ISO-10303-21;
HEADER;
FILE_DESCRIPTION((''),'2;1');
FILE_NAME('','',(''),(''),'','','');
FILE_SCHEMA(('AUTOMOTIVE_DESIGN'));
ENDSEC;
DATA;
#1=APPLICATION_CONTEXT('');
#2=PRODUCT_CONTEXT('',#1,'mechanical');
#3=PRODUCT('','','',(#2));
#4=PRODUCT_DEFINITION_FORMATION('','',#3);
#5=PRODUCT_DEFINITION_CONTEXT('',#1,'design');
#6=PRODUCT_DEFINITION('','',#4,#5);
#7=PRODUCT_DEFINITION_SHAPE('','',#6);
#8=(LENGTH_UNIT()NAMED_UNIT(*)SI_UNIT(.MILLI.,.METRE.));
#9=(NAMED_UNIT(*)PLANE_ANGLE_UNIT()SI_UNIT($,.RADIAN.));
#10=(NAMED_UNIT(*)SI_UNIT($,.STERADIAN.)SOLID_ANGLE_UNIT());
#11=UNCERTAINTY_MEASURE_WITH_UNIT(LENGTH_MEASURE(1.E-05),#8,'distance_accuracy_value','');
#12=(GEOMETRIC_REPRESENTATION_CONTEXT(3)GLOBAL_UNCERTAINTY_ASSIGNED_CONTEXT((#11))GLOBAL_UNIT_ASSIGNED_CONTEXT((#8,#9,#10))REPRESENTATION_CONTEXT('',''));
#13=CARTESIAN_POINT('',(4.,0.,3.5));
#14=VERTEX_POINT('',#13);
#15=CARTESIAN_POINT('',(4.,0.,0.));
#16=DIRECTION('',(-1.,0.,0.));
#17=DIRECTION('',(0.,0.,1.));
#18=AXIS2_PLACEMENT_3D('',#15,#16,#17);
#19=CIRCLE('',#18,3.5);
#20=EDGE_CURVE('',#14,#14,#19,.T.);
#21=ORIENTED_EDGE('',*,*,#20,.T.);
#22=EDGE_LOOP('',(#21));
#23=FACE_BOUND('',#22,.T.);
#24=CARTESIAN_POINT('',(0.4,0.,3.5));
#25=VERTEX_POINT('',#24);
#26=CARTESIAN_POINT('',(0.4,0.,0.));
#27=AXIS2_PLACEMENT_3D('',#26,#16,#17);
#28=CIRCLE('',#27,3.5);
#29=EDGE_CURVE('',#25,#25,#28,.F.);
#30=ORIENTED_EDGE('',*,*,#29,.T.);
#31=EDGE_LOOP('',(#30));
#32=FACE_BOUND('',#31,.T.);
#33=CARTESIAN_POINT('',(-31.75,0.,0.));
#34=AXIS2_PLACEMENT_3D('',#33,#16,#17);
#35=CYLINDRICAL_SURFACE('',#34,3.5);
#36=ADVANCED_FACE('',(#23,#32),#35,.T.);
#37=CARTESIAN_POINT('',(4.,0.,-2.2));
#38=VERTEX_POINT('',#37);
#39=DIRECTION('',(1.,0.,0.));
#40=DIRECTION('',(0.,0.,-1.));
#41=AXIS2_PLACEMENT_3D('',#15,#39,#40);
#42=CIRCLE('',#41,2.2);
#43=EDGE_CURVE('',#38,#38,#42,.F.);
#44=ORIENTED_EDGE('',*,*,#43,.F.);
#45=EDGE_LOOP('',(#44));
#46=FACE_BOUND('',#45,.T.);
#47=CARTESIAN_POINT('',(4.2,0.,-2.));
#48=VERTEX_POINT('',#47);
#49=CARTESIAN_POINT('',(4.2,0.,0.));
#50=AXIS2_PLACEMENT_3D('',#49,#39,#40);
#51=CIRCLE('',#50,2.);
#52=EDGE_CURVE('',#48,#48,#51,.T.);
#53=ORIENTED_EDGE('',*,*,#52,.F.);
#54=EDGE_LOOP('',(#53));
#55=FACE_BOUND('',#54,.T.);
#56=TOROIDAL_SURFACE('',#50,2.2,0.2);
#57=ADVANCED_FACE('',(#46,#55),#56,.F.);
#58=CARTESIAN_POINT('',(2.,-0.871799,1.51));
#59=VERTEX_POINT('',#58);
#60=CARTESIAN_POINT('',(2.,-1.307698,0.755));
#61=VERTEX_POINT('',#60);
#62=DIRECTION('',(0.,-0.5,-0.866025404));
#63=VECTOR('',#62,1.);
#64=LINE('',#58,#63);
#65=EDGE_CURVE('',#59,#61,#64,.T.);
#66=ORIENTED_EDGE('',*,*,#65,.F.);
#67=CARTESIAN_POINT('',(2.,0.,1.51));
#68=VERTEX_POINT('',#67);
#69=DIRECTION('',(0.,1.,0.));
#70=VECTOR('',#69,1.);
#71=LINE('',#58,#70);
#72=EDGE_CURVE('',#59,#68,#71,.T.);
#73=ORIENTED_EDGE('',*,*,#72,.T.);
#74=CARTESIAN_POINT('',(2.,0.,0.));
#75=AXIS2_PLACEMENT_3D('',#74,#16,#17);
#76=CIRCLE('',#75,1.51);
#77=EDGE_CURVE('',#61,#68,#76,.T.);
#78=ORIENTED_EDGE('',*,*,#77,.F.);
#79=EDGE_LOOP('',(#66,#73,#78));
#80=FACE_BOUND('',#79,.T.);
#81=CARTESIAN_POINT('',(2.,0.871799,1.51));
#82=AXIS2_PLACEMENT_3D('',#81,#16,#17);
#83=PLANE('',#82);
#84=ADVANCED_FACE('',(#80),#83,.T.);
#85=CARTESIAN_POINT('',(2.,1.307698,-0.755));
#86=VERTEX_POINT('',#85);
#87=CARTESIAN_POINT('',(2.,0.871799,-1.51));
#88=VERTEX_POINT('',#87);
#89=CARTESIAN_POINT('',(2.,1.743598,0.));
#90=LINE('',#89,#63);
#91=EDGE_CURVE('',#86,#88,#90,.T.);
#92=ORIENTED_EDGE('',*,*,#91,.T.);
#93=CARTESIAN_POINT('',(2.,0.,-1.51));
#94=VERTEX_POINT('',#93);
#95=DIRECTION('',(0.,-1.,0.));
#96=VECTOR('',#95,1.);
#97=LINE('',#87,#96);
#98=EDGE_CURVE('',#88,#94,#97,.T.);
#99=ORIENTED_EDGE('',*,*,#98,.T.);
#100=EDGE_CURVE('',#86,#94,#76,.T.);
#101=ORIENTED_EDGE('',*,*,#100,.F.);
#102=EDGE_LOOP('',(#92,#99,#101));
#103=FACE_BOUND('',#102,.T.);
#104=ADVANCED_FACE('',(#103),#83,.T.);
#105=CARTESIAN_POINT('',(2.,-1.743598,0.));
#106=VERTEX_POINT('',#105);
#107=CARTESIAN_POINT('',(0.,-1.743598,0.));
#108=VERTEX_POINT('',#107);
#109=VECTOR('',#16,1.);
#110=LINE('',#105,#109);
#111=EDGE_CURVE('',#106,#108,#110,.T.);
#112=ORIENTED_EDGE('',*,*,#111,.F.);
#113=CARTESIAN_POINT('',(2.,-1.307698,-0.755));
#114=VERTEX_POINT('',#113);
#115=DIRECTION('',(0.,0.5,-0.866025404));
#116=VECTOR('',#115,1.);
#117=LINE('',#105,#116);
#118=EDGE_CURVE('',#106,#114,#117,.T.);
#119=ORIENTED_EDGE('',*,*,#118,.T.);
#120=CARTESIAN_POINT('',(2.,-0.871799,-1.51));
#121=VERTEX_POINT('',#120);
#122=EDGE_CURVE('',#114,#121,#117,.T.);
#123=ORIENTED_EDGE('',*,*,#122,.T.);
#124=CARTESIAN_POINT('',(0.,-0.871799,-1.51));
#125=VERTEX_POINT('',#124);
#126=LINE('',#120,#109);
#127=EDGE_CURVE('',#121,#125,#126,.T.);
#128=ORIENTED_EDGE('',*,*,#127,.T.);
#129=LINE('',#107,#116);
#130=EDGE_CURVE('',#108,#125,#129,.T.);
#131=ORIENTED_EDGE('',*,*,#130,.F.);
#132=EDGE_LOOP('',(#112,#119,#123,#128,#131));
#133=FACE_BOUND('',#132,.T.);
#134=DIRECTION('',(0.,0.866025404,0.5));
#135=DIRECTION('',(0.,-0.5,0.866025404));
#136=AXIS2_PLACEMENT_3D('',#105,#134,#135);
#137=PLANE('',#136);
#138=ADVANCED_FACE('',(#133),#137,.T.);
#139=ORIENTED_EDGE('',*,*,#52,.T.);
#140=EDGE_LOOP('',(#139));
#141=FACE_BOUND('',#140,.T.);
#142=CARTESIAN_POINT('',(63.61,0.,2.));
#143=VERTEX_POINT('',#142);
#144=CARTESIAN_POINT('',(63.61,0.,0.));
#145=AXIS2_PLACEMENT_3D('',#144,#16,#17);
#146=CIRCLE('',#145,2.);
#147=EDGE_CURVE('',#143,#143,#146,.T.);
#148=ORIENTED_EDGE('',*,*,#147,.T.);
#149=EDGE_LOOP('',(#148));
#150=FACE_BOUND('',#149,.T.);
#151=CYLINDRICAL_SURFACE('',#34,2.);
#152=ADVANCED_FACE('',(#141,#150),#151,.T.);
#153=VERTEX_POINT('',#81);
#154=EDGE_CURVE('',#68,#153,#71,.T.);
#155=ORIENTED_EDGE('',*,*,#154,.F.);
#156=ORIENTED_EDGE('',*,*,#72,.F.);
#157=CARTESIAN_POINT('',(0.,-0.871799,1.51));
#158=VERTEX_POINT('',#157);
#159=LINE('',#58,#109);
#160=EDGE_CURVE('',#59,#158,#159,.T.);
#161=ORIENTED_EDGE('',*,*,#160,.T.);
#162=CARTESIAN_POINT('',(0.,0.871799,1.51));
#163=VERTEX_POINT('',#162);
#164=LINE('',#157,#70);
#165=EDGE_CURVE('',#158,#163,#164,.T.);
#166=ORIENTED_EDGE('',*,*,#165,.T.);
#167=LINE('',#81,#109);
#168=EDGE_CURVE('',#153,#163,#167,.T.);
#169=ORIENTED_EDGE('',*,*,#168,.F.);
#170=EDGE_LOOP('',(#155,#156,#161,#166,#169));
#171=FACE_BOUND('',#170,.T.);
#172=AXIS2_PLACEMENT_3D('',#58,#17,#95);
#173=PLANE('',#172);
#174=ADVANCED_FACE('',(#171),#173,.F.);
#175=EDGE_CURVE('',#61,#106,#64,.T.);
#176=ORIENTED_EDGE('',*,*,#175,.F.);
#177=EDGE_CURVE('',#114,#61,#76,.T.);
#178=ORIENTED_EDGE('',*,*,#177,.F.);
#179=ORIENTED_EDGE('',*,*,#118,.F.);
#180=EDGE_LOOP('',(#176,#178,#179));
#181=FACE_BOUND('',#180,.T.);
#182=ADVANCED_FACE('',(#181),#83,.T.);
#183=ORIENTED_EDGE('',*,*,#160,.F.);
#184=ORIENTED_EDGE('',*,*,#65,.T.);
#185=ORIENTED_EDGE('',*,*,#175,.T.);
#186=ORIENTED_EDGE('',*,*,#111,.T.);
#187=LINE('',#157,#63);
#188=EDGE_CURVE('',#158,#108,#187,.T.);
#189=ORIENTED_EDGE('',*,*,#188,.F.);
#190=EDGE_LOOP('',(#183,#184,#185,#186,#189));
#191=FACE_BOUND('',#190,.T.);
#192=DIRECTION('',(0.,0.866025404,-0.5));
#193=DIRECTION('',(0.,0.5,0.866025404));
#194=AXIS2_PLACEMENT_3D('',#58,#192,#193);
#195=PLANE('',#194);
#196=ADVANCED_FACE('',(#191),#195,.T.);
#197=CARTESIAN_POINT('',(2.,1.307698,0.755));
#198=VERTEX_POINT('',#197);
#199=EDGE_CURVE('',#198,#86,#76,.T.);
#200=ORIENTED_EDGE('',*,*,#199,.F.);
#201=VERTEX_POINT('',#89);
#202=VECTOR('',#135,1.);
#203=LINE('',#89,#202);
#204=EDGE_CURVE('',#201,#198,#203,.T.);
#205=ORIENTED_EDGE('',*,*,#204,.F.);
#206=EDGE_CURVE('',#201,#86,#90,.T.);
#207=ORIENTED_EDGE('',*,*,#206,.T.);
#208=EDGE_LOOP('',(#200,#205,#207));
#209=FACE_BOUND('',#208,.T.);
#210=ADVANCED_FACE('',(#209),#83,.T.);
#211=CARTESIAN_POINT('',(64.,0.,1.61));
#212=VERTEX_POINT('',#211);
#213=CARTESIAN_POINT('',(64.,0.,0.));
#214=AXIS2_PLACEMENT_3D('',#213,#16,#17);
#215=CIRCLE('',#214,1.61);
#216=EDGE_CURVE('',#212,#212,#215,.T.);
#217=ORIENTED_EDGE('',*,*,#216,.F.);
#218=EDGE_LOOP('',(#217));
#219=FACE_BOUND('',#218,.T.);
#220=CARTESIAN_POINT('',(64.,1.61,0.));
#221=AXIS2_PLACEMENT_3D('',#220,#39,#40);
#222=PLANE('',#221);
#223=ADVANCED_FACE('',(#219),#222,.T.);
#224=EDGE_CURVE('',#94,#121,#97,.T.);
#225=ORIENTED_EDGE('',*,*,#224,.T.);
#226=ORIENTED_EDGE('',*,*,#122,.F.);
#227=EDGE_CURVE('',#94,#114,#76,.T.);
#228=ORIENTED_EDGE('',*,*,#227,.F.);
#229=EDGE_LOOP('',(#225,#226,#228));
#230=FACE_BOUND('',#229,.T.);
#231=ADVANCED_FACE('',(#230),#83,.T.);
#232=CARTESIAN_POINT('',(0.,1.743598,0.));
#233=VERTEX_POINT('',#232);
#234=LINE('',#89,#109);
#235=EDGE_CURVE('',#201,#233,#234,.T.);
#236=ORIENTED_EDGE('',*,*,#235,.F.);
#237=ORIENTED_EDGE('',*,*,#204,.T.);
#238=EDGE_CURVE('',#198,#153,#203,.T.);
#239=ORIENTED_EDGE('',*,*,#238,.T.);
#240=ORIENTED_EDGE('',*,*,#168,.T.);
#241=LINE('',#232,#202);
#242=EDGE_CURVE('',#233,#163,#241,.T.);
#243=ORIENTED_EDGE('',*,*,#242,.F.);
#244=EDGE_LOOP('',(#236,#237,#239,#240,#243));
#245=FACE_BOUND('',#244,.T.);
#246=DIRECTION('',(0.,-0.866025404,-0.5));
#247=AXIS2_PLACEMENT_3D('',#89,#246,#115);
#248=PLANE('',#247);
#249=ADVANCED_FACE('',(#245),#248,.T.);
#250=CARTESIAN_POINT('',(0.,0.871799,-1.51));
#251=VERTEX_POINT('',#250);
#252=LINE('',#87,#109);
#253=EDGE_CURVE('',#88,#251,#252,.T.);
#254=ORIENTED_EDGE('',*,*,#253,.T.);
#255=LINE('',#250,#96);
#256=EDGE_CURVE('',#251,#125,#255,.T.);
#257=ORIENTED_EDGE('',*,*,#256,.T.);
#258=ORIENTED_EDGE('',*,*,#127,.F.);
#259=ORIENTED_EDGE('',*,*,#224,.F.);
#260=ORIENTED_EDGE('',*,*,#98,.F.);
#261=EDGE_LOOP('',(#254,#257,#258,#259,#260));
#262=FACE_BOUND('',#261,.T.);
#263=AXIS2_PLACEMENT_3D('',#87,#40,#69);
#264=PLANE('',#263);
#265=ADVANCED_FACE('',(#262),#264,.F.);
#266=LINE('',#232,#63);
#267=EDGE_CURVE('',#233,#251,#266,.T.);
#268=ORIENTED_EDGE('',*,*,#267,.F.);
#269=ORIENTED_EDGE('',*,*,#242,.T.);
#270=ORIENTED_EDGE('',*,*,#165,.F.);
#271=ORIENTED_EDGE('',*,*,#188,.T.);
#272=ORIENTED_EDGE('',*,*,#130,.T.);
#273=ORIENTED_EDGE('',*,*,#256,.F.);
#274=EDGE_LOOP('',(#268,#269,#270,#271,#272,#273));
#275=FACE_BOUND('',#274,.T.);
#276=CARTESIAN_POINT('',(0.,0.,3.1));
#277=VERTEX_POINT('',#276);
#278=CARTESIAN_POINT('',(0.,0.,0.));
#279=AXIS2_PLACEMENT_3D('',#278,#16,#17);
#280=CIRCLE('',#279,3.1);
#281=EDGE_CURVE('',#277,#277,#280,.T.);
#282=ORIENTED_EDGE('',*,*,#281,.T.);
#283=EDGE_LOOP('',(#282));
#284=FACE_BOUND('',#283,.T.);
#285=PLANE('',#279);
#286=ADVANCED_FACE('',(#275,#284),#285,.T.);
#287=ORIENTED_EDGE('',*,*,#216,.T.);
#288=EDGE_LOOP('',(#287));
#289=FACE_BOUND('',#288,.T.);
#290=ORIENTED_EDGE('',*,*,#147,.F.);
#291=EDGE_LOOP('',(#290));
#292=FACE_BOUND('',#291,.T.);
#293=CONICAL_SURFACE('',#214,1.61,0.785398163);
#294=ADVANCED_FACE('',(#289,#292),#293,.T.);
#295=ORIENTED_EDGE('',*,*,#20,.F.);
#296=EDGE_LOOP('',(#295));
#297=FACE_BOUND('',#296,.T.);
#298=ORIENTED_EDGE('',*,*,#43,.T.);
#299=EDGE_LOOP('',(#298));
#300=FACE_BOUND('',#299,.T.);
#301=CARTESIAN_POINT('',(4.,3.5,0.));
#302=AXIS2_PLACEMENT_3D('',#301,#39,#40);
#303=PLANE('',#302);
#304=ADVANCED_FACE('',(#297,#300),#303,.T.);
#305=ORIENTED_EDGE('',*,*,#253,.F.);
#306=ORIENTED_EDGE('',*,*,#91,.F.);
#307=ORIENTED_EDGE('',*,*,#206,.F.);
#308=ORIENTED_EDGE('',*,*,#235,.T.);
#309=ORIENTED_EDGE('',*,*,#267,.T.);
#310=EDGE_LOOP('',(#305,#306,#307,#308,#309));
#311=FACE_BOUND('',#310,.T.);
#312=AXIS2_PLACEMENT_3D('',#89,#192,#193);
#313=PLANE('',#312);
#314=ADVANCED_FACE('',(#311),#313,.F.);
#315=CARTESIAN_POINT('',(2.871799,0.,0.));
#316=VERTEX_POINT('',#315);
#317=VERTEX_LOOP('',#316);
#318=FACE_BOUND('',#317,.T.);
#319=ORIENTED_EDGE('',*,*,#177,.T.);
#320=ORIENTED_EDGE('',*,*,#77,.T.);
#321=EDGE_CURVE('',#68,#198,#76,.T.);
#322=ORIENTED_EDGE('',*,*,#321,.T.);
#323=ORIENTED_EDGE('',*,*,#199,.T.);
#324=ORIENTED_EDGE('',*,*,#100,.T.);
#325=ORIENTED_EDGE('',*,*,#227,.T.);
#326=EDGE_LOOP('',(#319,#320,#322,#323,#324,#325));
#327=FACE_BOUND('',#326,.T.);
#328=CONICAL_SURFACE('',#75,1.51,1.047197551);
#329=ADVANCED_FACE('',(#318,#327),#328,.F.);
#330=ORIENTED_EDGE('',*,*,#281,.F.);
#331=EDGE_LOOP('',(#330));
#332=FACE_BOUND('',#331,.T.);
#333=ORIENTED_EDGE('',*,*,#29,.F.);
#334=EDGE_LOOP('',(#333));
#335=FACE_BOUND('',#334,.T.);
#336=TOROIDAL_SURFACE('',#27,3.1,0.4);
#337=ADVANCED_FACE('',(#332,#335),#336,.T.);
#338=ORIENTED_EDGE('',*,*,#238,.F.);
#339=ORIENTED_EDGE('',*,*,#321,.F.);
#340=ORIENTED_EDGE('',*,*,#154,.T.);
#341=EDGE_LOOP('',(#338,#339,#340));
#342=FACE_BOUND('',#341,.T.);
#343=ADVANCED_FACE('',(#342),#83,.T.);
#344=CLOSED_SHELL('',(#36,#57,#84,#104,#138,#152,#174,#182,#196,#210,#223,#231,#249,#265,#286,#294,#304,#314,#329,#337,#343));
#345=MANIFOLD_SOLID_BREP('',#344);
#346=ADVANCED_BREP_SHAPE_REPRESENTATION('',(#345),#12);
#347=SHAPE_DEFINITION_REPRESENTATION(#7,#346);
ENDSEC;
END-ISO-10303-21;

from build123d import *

# Parameters (mm, degrees)
FILLET1_R   = 0.2
FILLET2_R   = 0.4
HEX_2_DEPTH = 2


with BuildPart() as part:
    # BodySke → Base-Revolve (revolve)
    with BuildSketch(Plane.XY):
        Polygon((0, 0), (0, 3.5), (4, 3.5), (4, 2), (63.61, 2), (64, 1.61), (64, 0), align=None)
    revolve(axis=Axis((-31.75, 0, 0), (1, 0, 0)))

    # Fillet1
    fillet1_edges = [part.edges().sort_by_distance(p)[0] for p in [
        (4, -2, 0),
    ]]
    fillet(fillet1_edges, radius=FILLET1_R)

    # Fillet2
    fillet2_edges = [part.edges().sort_by_distance(p)[0] for p in [
        (0, -3.5, 0),
    ]]
    fillet(fillet2_edges, radius=FILLET2_R)

    # Sketch2 → Hex-PreBroach (revolve, cut)
    with BuildSketch(Plane.XY):
        Polygon((0, 1.51), (2, 1.51), (2.871798906, 0), (0, 0), align=None)
    revolve(axis=Axis((0, 0, 0), (1, 0, 0)), mode=Mode.SUBTRACT)

    # Sketch3 → Hex 2 (cut)
    with BuildSketch(Plane(origin=(0, 0, 0), x_dir=(0, 0.5, 0.866025404), z_dir=(-1, 0, 0))):
        Polygon((0.871798906, 1.51), (-0.871798906, 1.51), (-1.743597813, 0), (-0.871798906, -1.51), (0.871798906, -1.51), (1.743597813, 0), align=None)
    extrude(amount=-HEX_2_DEPTH, mode=Mode.SUBTRACT)


solid = part.part
